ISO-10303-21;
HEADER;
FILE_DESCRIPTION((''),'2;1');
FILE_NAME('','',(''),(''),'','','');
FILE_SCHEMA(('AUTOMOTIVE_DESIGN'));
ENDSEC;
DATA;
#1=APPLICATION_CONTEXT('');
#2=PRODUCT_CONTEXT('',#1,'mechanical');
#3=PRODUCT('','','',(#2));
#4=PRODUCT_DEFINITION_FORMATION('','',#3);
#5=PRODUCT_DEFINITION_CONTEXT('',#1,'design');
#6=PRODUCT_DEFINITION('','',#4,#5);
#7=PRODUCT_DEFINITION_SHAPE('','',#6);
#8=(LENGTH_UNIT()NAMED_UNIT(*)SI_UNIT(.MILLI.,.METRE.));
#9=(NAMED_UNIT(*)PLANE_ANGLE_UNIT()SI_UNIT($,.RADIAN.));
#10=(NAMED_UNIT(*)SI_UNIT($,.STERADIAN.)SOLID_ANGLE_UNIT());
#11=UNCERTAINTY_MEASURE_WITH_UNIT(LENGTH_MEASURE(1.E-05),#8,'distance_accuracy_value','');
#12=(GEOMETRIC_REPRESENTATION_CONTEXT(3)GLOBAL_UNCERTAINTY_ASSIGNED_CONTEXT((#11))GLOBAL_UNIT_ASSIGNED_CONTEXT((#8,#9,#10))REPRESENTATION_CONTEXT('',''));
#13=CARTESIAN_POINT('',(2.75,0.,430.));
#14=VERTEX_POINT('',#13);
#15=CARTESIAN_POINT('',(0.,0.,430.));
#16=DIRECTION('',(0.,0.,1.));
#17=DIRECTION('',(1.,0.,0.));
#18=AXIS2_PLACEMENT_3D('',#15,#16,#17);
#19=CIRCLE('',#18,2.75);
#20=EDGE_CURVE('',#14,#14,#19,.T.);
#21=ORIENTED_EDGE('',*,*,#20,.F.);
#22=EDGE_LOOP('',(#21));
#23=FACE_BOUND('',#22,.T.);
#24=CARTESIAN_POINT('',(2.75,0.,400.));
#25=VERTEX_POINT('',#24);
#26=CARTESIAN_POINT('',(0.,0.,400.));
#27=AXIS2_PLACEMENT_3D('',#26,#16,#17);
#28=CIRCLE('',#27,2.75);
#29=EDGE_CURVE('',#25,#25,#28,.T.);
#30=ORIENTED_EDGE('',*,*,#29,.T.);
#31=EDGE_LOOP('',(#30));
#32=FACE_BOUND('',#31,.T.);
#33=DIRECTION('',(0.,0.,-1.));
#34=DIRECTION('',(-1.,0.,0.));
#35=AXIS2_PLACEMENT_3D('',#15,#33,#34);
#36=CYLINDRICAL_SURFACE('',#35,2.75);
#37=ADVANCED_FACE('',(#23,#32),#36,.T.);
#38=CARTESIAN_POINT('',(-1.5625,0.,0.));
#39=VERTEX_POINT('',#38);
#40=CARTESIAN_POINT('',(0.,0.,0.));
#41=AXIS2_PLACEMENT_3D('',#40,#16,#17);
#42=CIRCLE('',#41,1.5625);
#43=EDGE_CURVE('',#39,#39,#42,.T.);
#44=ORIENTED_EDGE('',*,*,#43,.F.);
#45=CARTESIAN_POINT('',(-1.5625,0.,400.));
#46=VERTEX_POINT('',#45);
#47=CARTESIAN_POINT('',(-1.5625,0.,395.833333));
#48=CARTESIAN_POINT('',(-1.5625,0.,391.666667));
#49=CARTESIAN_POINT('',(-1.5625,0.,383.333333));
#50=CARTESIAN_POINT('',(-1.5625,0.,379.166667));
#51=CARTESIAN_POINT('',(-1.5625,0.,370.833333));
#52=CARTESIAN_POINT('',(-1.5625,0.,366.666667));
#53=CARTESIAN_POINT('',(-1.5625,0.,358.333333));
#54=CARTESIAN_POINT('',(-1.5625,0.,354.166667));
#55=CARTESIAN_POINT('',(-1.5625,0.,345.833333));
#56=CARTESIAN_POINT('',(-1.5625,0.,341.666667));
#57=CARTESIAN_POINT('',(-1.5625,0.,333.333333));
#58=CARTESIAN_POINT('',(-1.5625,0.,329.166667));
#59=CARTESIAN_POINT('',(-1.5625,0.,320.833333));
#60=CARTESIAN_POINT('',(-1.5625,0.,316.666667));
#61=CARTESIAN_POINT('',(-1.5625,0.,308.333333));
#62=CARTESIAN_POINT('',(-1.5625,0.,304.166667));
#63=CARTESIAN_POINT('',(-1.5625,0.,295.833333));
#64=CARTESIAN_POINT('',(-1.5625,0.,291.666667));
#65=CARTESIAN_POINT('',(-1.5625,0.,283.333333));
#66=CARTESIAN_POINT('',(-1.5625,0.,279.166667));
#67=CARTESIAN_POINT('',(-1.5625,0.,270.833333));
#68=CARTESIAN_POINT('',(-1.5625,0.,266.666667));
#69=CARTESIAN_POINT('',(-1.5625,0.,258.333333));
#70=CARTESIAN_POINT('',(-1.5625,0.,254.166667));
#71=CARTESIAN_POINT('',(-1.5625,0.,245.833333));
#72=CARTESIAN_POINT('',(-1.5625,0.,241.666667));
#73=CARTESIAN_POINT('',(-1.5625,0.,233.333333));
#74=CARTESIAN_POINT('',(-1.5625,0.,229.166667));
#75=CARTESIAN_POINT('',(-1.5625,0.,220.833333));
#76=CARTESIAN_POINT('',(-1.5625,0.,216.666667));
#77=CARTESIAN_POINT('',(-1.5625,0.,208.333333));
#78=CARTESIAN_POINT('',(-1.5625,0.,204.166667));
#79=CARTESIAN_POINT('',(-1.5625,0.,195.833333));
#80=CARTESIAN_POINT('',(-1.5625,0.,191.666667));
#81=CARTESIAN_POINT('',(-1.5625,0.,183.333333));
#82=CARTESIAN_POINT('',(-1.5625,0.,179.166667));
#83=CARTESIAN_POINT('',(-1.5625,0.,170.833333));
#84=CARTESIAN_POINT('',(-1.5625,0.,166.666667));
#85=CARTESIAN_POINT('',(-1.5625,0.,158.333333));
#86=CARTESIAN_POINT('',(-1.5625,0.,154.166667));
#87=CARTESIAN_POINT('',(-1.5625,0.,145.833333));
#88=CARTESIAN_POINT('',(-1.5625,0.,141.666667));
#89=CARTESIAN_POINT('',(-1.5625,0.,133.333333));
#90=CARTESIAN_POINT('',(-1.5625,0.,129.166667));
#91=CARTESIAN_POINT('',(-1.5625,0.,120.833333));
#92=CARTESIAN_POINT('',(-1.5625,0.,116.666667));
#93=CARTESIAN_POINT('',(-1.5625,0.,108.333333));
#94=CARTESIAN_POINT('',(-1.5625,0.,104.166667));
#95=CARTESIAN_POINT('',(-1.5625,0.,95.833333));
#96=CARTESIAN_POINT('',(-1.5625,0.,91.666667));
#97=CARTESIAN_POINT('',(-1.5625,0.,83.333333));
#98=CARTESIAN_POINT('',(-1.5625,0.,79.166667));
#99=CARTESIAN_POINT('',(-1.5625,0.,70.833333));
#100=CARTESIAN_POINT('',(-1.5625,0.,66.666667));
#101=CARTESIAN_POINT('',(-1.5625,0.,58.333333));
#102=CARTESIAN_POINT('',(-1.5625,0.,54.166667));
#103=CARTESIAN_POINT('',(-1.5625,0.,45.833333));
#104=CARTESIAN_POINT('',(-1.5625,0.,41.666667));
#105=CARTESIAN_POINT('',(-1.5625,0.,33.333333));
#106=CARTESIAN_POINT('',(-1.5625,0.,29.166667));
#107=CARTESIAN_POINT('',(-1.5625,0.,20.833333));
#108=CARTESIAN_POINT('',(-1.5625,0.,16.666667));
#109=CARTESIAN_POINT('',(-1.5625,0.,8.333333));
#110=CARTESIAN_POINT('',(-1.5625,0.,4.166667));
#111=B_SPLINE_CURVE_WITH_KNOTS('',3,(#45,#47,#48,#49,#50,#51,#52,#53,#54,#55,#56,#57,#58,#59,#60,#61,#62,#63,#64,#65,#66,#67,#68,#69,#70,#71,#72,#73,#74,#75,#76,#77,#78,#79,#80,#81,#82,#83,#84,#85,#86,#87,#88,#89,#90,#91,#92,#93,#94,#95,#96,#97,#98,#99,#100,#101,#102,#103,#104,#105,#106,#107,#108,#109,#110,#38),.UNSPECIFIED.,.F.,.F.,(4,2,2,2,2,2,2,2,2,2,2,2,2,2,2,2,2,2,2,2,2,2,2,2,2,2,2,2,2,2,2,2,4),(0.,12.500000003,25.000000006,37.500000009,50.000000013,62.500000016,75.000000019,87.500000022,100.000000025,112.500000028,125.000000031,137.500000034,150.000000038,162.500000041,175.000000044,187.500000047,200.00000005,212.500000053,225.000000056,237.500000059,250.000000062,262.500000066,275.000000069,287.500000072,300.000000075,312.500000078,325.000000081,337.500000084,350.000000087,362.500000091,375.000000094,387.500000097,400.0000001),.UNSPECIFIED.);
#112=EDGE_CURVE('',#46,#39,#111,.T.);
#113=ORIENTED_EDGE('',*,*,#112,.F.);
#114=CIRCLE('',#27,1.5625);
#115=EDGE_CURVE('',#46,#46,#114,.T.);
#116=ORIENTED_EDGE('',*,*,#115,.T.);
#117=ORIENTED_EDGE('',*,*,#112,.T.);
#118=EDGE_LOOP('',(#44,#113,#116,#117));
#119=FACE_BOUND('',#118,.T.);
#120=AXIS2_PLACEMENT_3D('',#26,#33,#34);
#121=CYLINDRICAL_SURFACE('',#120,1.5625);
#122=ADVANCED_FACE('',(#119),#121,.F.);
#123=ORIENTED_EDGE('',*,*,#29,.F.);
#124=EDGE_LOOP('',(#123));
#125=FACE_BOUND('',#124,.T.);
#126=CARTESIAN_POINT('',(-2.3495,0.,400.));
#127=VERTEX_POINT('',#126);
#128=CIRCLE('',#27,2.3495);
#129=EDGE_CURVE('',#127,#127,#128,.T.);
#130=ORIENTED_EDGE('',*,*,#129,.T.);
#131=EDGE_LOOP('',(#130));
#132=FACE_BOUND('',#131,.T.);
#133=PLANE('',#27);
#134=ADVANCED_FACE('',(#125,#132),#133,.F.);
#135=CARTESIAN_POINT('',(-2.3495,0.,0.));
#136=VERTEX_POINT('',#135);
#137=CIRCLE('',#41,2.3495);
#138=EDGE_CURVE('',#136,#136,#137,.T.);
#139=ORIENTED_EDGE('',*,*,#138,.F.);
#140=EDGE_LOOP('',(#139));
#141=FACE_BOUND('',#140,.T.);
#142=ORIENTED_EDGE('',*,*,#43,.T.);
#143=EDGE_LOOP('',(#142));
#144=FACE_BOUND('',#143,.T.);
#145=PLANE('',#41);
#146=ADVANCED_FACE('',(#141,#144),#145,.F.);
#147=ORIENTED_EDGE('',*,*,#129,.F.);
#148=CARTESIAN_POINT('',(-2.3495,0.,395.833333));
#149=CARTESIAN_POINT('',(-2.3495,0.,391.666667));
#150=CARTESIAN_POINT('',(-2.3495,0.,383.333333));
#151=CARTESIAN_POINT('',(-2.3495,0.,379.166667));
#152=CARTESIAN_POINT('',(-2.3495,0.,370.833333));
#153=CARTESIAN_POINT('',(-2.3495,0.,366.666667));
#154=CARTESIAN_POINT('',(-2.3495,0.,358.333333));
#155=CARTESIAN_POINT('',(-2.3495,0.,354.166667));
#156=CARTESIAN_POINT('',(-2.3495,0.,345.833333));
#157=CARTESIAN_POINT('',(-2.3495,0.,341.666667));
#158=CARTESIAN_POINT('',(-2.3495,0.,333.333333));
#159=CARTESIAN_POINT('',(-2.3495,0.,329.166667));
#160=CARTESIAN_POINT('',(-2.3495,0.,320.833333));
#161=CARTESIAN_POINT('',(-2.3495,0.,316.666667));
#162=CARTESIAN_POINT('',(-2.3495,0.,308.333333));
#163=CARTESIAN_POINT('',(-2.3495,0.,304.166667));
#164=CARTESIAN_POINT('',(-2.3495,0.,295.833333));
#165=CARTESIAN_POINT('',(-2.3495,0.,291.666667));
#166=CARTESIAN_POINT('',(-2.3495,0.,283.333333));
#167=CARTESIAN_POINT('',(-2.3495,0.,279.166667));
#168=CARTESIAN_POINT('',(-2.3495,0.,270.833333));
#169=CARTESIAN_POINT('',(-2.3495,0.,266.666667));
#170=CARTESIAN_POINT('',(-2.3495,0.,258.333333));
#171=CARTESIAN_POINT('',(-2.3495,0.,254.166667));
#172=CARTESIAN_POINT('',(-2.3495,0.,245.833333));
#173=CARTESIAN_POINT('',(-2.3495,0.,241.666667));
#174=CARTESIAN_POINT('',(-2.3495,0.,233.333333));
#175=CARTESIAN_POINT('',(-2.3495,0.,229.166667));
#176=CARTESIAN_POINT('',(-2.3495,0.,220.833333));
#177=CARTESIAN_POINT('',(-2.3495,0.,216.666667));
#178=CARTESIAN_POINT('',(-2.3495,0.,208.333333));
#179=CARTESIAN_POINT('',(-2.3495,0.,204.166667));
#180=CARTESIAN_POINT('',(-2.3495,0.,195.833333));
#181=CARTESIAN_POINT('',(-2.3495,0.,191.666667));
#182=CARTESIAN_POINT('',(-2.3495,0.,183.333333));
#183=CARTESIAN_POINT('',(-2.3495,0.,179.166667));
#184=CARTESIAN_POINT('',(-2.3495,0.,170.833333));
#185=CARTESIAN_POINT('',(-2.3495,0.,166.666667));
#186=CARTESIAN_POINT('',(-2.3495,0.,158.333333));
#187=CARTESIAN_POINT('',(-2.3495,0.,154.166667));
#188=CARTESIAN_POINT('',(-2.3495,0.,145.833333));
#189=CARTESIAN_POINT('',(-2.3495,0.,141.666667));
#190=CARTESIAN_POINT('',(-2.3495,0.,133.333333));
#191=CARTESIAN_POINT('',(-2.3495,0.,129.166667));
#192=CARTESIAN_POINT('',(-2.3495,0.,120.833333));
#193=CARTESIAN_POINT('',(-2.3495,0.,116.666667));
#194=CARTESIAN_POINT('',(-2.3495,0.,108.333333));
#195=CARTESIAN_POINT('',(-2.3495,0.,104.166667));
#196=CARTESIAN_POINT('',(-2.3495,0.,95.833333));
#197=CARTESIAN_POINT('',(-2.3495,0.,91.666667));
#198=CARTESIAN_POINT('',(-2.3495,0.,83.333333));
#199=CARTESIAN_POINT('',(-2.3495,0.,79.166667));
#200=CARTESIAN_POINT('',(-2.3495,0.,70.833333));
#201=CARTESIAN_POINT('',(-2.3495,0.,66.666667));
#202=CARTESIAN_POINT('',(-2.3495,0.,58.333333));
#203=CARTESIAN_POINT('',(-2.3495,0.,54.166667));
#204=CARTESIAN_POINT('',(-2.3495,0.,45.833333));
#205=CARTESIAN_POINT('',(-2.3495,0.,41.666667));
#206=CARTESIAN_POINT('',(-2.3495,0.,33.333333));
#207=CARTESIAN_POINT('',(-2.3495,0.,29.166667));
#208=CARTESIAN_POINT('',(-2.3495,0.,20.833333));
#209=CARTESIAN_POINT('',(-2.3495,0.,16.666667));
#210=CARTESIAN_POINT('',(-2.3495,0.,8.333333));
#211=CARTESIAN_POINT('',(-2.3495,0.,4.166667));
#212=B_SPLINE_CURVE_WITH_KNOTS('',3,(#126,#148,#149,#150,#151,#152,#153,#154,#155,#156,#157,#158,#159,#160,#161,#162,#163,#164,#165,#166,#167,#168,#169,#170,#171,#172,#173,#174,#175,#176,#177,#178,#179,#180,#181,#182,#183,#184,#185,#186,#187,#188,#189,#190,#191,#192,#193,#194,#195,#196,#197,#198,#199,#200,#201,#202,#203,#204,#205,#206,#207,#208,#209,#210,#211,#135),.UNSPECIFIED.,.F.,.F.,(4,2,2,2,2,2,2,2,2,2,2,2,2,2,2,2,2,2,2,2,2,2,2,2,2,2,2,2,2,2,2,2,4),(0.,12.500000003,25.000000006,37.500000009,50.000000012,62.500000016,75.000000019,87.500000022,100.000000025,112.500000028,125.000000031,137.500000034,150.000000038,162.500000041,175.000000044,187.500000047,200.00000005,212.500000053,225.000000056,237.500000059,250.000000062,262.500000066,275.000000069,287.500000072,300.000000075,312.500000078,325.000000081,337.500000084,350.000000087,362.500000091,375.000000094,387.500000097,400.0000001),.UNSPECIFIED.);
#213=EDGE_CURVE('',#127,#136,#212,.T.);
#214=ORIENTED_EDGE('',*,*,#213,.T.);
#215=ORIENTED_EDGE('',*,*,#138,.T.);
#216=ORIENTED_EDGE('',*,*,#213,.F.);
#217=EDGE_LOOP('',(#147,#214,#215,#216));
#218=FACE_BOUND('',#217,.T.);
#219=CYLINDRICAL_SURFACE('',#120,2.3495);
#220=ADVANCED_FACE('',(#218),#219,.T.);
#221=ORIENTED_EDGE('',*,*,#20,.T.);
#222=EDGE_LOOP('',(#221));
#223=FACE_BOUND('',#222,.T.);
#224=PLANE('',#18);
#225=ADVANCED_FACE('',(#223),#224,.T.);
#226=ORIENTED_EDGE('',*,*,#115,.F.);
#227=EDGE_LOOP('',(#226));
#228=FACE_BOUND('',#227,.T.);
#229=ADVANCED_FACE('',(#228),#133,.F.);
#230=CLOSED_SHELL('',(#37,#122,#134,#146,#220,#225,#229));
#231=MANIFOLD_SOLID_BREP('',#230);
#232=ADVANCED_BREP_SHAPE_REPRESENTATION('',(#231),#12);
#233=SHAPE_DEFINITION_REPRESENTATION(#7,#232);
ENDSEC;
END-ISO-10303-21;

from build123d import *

# Parameters (mm, degrees)
SKETCH1_R           = 2.3495
SKETCH1_R_2         = 1.5625
BOSS_EXTRUDE1_DEPTH = 400.0000001
SKETCH2_R           = 2.75
BOSS_EXTRUDE2_DEPTH = 30


with BuildPart() as part:
    # Sketch1 → Boss-Extrude1 (new body)
    with BuildSketch(Plane.XY):
        with Locations(Location((0, 0, 0), (0, 0, 180))):
            Circle(SKETCH1_R)
        with Locations(Location((0, 0, 0), (0, 0, 180))):
            Circle(SKETCH1_R_2, mode=Mode.SUBTRACT)
    extrude(amount=BOSS_EXTRUDE1_DEPTH)

    # Sketch2 → Boss-Extrude2 (add)
    with BuildSketch(Plane.XY.offset(400.0000001)):
        Circle(SKETCH2_R)
    extrude(amount=BOSS_EXTRUDE2_DEPTH)


solid = part.part
